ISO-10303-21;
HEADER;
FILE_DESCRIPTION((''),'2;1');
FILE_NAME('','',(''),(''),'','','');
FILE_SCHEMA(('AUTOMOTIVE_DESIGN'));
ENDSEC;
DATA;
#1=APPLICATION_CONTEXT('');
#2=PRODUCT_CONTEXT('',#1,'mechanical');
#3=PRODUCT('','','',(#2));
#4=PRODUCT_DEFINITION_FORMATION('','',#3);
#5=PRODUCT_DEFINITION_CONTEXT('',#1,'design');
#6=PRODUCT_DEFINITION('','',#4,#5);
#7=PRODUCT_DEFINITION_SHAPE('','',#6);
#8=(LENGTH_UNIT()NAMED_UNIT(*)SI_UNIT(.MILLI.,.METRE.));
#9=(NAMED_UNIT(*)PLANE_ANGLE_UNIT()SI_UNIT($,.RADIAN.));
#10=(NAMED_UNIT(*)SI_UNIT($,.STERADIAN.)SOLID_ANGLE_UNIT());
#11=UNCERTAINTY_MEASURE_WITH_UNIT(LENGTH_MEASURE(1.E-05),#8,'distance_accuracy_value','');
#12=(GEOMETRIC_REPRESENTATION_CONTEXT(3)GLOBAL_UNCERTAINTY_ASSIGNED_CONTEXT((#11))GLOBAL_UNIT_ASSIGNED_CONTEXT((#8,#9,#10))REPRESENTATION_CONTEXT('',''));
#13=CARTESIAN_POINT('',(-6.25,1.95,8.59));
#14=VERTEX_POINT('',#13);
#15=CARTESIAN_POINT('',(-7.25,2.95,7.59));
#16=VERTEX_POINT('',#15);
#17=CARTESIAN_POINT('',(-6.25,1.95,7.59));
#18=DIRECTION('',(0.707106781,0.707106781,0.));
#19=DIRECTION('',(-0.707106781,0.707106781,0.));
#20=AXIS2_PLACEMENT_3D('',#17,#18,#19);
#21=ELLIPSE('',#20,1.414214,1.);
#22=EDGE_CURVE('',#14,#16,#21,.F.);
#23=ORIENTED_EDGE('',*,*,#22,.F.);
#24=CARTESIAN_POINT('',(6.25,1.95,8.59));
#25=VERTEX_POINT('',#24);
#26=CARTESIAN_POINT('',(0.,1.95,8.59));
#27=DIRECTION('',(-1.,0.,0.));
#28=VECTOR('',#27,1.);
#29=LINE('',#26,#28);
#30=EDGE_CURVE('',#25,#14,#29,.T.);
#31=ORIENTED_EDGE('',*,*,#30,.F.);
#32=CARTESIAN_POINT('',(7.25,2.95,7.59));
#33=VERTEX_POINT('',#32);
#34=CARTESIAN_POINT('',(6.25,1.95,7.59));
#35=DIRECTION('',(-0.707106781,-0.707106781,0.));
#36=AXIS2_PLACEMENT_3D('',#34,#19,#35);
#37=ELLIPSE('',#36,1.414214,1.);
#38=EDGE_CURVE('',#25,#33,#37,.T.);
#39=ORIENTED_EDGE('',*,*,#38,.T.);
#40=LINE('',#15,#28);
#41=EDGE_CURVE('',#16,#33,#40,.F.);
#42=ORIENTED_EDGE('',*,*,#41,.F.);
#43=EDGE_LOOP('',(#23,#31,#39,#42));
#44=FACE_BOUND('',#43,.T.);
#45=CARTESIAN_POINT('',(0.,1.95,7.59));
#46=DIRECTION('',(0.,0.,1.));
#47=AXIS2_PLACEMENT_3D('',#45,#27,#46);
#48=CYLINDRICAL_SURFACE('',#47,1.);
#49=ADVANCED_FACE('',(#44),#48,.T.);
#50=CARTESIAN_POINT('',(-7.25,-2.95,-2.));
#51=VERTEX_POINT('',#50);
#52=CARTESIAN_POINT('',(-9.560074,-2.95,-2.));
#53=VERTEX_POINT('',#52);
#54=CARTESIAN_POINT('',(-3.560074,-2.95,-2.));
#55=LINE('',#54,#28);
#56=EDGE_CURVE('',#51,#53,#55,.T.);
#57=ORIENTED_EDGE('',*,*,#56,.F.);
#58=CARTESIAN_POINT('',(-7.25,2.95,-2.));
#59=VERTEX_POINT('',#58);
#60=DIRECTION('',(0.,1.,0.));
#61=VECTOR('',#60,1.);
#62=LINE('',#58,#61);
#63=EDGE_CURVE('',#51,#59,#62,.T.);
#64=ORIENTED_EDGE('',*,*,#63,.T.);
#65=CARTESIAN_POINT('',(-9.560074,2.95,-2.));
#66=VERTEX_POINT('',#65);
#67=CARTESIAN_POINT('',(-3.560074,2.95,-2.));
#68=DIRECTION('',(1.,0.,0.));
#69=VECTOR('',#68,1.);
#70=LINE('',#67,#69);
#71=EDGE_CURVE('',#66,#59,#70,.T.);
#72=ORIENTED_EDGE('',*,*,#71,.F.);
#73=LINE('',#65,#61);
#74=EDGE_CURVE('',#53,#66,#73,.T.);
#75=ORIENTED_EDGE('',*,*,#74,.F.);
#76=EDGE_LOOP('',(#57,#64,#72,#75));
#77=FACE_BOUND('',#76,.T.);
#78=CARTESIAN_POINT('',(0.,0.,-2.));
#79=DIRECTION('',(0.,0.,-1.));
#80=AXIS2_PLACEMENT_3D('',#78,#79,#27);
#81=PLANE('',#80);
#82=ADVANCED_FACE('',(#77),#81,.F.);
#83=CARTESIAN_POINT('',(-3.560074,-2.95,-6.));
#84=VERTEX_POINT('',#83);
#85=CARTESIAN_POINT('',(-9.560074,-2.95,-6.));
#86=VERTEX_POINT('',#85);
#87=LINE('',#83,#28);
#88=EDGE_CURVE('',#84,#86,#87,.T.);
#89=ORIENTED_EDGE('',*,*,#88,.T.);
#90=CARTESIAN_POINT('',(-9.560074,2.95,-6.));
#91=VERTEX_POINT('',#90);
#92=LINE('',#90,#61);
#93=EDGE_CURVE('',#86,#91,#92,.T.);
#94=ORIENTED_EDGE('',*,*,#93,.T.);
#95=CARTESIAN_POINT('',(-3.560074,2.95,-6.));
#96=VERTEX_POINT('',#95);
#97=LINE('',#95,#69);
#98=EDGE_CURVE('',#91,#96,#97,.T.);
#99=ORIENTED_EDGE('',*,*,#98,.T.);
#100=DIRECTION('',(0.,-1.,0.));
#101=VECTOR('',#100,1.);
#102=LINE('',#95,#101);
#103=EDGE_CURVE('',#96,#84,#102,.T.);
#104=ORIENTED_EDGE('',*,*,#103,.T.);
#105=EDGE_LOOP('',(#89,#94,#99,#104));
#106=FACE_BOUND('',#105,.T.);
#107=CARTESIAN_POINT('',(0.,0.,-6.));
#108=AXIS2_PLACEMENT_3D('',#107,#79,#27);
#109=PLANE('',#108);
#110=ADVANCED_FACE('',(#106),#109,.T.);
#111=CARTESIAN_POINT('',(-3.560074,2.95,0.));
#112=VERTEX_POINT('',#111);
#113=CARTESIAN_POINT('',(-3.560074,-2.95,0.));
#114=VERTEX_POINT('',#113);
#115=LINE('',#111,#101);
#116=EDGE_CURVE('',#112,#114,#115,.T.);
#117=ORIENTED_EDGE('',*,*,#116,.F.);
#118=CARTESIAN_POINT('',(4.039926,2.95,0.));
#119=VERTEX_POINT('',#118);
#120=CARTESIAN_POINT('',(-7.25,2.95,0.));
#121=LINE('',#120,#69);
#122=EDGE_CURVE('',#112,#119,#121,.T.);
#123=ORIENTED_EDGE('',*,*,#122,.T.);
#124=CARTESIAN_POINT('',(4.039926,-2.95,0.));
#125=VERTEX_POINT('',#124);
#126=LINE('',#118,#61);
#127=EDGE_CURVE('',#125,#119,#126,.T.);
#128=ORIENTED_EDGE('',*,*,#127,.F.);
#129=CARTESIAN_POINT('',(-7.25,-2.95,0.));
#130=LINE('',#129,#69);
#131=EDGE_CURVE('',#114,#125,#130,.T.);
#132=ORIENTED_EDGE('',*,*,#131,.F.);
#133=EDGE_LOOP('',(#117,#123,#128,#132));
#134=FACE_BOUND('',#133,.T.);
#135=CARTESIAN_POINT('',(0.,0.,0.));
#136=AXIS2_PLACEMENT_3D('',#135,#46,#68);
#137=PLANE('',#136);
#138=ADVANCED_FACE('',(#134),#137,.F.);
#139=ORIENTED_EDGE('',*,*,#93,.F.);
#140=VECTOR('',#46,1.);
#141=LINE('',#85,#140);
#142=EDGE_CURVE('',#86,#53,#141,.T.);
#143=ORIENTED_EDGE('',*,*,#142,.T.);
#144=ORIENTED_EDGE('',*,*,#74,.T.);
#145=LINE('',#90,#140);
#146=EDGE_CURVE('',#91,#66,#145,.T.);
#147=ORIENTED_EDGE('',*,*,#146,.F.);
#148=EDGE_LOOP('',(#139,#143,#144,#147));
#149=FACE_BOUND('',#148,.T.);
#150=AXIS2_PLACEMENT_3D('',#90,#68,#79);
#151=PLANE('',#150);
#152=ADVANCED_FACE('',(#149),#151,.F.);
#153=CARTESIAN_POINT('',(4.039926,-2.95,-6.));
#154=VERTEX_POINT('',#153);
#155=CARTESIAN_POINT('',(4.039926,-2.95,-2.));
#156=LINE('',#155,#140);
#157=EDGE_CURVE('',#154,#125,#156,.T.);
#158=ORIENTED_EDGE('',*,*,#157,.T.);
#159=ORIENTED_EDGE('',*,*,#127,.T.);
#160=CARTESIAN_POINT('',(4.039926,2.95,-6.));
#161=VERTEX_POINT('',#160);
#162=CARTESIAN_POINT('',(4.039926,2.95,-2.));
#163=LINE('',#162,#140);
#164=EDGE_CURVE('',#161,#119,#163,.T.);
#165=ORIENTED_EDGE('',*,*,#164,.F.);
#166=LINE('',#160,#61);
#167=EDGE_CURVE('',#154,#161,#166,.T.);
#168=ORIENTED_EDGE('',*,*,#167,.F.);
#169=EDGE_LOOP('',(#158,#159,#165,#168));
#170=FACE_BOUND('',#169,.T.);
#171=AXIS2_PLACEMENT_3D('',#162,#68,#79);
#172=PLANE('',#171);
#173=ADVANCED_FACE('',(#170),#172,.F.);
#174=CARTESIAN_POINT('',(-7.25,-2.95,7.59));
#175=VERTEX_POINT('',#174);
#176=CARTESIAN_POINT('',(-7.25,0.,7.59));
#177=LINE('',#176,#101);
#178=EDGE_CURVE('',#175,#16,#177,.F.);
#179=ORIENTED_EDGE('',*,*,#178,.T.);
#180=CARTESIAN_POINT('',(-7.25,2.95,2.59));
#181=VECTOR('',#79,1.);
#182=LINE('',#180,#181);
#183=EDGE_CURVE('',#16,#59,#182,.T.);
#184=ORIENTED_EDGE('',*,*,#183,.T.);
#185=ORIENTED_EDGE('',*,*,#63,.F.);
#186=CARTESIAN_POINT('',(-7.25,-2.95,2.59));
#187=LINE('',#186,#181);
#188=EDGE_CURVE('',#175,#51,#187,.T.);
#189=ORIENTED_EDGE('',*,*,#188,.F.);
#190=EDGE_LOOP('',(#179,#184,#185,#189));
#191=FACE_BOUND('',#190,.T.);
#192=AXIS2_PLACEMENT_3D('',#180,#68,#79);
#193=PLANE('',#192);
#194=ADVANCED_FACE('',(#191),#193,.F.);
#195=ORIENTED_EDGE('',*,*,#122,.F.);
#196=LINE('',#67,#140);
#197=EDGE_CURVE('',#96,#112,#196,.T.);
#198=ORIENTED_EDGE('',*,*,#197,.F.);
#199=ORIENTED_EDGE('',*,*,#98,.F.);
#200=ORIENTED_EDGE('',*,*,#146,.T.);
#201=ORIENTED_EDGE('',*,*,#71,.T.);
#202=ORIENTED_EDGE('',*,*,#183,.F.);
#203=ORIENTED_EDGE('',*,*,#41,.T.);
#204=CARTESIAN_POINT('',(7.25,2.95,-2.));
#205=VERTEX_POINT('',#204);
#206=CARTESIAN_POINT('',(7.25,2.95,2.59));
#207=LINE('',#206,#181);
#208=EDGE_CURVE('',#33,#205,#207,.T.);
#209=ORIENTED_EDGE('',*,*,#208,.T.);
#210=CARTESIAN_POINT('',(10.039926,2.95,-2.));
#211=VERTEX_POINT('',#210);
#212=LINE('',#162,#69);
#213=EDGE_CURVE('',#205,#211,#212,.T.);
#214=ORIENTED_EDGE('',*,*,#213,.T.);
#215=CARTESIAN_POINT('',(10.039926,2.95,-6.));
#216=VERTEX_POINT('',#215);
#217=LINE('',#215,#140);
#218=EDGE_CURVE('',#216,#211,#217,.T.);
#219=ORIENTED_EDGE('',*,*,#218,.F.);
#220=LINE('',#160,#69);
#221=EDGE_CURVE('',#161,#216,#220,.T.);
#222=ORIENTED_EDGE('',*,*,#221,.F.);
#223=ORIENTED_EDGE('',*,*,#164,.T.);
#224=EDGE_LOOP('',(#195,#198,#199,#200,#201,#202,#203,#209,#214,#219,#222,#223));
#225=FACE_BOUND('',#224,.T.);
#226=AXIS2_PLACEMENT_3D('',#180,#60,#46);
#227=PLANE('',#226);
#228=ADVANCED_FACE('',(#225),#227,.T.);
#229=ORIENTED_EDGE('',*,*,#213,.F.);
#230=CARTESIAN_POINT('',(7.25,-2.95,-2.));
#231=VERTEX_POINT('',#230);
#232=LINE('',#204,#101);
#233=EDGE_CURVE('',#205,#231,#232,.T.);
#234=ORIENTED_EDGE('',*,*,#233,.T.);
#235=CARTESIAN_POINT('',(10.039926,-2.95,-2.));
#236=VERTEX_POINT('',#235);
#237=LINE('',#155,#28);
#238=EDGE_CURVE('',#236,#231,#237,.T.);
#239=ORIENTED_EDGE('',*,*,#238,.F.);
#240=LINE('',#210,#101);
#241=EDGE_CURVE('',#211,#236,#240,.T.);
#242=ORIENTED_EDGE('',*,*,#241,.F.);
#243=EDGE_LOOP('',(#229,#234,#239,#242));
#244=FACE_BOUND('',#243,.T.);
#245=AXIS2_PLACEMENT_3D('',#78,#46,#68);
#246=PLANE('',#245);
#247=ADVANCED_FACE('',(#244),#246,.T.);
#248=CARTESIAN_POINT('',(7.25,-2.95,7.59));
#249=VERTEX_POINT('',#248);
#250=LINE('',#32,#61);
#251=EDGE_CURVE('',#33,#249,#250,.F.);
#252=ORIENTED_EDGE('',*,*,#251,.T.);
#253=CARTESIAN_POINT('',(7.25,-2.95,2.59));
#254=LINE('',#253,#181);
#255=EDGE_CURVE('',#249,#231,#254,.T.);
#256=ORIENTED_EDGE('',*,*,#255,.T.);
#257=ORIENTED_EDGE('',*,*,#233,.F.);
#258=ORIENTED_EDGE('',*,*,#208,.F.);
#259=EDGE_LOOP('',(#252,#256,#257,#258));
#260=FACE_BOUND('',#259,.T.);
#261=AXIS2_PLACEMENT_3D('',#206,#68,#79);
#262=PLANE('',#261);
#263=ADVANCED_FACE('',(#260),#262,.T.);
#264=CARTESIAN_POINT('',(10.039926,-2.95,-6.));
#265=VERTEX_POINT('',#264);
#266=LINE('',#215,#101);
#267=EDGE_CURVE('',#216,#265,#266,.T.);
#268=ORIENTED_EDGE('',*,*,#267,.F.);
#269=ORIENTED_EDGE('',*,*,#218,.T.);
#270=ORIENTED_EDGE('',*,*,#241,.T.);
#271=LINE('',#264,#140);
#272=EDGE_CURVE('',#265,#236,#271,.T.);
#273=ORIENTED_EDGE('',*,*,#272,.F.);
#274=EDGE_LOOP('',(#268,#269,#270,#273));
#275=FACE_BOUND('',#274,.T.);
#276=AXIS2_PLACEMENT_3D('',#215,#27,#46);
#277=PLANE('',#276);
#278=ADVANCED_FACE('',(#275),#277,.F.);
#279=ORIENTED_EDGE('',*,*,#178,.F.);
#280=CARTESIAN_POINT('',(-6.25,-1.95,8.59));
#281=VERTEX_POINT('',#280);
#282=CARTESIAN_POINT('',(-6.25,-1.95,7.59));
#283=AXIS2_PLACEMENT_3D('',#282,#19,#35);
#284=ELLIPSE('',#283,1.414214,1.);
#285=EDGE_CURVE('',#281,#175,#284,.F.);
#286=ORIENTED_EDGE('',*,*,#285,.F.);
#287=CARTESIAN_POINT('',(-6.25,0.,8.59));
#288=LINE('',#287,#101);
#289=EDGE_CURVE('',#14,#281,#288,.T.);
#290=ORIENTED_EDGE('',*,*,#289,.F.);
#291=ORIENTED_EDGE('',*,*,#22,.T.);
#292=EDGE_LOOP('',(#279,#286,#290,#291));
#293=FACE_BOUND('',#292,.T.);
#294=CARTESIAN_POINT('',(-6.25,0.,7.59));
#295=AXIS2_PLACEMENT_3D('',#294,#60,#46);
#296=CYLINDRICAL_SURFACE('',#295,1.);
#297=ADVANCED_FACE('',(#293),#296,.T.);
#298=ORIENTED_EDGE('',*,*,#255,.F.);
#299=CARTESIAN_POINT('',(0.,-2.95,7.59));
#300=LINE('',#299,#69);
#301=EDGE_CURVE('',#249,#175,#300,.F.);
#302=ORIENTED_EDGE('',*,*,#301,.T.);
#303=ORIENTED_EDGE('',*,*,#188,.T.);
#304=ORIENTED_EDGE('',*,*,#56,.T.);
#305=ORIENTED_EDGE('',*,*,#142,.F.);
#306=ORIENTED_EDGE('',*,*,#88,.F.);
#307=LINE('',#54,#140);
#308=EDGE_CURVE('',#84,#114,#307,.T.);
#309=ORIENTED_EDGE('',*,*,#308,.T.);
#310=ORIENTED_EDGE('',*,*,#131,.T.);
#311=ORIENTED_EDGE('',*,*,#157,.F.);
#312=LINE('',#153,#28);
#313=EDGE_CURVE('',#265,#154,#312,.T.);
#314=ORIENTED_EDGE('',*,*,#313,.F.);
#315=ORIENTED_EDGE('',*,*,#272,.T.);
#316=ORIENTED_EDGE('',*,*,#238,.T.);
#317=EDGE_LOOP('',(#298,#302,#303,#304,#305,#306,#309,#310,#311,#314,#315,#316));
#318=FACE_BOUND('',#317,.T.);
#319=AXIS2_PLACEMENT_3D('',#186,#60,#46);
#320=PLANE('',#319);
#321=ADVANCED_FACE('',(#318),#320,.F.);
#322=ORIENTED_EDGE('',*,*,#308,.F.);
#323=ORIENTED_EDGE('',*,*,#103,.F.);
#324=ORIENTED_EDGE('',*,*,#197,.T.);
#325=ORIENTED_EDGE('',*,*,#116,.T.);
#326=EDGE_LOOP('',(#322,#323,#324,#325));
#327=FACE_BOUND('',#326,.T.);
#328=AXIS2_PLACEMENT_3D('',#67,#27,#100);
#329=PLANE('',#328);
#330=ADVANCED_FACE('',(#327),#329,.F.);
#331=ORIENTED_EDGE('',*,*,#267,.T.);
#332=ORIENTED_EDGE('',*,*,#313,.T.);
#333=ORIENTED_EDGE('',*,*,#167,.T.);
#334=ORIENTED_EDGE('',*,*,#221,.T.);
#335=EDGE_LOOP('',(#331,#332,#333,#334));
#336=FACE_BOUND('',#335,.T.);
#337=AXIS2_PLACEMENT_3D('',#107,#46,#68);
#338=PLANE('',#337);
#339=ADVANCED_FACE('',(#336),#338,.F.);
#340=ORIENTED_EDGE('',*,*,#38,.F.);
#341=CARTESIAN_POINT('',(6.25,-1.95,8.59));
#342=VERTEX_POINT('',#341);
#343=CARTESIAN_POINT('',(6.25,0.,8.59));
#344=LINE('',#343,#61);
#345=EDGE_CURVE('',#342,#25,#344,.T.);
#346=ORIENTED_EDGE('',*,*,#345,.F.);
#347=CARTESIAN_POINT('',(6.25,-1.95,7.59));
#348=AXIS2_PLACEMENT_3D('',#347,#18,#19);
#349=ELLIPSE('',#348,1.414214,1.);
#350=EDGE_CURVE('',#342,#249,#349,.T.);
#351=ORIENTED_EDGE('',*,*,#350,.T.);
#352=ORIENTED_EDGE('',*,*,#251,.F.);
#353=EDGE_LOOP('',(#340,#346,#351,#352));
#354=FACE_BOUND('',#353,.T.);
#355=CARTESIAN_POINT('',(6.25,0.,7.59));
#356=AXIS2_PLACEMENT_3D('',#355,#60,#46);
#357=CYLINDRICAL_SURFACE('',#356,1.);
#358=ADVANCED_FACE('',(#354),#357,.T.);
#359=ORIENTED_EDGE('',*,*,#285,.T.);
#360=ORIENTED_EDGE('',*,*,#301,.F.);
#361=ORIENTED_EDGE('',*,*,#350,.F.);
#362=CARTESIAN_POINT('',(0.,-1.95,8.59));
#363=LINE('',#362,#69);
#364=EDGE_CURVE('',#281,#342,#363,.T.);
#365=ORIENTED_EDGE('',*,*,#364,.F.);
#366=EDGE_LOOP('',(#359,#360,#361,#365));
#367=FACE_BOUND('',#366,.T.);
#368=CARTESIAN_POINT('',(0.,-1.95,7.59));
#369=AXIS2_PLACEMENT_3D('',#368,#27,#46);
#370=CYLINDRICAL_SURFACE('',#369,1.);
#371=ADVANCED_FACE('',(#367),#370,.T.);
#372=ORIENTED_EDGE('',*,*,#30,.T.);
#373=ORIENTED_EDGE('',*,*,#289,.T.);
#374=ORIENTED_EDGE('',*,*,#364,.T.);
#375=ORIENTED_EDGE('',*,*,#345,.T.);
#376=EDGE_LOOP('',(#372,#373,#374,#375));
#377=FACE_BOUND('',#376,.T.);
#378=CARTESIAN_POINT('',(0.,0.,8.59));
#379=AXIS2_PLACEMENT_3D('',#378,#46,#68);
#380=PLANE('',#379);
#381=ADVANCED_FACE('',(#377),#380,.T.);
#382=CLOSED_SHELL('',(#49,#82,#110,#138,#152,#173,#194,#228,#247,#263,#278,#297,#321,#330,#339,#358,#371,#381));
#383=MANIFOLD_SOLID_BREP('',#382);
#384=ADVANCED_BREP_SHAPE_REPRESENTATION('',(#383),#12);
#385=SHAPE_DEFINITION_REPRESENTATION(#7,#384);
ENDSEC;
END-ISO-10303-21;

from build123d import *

# Parameters (mm, degrees)
SKETCH1_W           = 14.5
SKETCH1_H           = 5.9
BOSS_EXTRUDE1_DEPTH = 2.59
SKETCH2_W           = 3.689926182
SKETCH2_H           = 5.9
SKETCH2_W_2         = 3.210073818
BOSS_EXTRUDE2_DEPTH = 2
SKETCH5_W           = 6
SKETCH5_H           = 5.9
BOSS_EXTRUDE3_DEPTH = 4
SKETCH7_W           = 14.5
SKETCH7_H           = 5.9
BOSS_EXTRUDE5_DEPTH = 6
FILLET2_R           = 1


with BuildPart() as part:
    # Sketch1 → Boss-Extrude1 (new body)
    with BuildSketch(Plane.XY):
        Rectangle(SKETCH1_W, SKETCH1_H)
    extrude(amount=BOSS_EXTRUDE1_DEPTH)

    # Sketch2 → Boss-Extrude2 (add)
    with BuildSketch(Plane(origin=(0, 0, 0), x_dir=(-1, 0, 0), z_dir=(0, 0, -1))):
        with Locations((5.405036909, 0)):
            Rectangle(SKETCH2_W, SKETCH2_H)
        with Locations((-5.644963091, 0)):
            Rectangle(SKETCH2_W_2, SKETCH2_H)
    extrude(amount=BOSS_EXTRUDE2_DEPTH)

    # Sketch5 → Boss-Extrude3 (add)
    with BuildSketch(Plane(origin=(0, 0, -2), x_dir=(-1, 0, 0), z_dir=(0, 0, -1))):
        with Locations((-7.039926182, 0)):
            Rectangle(SKETCH5_W, SKETCH5_H)
        with Locations((6.560073818, 0)):
            Rectangle(SKETCH5_W, SKETCH5_H)
    extrude(amount=BOSS_EXTRUDE3_DEPTH)

    # Sketch7 → Boss-Extrude5 (add)
    with BuildSketch(Plane.XY.offset(2.59)):
        Rectangle(SKETCH7_W, SKETCH7_H)
    extrude(amount=BOSS_EXTRUDE5_DEPTH)

    # Fillet2
    fillet2_edges = [part.edges().sort_by_distance(p)[0] for p in [
        (0, 2.95, 8.59),
        (-7.25, 0, 8.59),
        (0, -2.95, 8.59),
        (7.25, 0, 8.59),
    ]]
    fillet(fillet2_edges, radius=FILLET2_R)


solid = part.part
